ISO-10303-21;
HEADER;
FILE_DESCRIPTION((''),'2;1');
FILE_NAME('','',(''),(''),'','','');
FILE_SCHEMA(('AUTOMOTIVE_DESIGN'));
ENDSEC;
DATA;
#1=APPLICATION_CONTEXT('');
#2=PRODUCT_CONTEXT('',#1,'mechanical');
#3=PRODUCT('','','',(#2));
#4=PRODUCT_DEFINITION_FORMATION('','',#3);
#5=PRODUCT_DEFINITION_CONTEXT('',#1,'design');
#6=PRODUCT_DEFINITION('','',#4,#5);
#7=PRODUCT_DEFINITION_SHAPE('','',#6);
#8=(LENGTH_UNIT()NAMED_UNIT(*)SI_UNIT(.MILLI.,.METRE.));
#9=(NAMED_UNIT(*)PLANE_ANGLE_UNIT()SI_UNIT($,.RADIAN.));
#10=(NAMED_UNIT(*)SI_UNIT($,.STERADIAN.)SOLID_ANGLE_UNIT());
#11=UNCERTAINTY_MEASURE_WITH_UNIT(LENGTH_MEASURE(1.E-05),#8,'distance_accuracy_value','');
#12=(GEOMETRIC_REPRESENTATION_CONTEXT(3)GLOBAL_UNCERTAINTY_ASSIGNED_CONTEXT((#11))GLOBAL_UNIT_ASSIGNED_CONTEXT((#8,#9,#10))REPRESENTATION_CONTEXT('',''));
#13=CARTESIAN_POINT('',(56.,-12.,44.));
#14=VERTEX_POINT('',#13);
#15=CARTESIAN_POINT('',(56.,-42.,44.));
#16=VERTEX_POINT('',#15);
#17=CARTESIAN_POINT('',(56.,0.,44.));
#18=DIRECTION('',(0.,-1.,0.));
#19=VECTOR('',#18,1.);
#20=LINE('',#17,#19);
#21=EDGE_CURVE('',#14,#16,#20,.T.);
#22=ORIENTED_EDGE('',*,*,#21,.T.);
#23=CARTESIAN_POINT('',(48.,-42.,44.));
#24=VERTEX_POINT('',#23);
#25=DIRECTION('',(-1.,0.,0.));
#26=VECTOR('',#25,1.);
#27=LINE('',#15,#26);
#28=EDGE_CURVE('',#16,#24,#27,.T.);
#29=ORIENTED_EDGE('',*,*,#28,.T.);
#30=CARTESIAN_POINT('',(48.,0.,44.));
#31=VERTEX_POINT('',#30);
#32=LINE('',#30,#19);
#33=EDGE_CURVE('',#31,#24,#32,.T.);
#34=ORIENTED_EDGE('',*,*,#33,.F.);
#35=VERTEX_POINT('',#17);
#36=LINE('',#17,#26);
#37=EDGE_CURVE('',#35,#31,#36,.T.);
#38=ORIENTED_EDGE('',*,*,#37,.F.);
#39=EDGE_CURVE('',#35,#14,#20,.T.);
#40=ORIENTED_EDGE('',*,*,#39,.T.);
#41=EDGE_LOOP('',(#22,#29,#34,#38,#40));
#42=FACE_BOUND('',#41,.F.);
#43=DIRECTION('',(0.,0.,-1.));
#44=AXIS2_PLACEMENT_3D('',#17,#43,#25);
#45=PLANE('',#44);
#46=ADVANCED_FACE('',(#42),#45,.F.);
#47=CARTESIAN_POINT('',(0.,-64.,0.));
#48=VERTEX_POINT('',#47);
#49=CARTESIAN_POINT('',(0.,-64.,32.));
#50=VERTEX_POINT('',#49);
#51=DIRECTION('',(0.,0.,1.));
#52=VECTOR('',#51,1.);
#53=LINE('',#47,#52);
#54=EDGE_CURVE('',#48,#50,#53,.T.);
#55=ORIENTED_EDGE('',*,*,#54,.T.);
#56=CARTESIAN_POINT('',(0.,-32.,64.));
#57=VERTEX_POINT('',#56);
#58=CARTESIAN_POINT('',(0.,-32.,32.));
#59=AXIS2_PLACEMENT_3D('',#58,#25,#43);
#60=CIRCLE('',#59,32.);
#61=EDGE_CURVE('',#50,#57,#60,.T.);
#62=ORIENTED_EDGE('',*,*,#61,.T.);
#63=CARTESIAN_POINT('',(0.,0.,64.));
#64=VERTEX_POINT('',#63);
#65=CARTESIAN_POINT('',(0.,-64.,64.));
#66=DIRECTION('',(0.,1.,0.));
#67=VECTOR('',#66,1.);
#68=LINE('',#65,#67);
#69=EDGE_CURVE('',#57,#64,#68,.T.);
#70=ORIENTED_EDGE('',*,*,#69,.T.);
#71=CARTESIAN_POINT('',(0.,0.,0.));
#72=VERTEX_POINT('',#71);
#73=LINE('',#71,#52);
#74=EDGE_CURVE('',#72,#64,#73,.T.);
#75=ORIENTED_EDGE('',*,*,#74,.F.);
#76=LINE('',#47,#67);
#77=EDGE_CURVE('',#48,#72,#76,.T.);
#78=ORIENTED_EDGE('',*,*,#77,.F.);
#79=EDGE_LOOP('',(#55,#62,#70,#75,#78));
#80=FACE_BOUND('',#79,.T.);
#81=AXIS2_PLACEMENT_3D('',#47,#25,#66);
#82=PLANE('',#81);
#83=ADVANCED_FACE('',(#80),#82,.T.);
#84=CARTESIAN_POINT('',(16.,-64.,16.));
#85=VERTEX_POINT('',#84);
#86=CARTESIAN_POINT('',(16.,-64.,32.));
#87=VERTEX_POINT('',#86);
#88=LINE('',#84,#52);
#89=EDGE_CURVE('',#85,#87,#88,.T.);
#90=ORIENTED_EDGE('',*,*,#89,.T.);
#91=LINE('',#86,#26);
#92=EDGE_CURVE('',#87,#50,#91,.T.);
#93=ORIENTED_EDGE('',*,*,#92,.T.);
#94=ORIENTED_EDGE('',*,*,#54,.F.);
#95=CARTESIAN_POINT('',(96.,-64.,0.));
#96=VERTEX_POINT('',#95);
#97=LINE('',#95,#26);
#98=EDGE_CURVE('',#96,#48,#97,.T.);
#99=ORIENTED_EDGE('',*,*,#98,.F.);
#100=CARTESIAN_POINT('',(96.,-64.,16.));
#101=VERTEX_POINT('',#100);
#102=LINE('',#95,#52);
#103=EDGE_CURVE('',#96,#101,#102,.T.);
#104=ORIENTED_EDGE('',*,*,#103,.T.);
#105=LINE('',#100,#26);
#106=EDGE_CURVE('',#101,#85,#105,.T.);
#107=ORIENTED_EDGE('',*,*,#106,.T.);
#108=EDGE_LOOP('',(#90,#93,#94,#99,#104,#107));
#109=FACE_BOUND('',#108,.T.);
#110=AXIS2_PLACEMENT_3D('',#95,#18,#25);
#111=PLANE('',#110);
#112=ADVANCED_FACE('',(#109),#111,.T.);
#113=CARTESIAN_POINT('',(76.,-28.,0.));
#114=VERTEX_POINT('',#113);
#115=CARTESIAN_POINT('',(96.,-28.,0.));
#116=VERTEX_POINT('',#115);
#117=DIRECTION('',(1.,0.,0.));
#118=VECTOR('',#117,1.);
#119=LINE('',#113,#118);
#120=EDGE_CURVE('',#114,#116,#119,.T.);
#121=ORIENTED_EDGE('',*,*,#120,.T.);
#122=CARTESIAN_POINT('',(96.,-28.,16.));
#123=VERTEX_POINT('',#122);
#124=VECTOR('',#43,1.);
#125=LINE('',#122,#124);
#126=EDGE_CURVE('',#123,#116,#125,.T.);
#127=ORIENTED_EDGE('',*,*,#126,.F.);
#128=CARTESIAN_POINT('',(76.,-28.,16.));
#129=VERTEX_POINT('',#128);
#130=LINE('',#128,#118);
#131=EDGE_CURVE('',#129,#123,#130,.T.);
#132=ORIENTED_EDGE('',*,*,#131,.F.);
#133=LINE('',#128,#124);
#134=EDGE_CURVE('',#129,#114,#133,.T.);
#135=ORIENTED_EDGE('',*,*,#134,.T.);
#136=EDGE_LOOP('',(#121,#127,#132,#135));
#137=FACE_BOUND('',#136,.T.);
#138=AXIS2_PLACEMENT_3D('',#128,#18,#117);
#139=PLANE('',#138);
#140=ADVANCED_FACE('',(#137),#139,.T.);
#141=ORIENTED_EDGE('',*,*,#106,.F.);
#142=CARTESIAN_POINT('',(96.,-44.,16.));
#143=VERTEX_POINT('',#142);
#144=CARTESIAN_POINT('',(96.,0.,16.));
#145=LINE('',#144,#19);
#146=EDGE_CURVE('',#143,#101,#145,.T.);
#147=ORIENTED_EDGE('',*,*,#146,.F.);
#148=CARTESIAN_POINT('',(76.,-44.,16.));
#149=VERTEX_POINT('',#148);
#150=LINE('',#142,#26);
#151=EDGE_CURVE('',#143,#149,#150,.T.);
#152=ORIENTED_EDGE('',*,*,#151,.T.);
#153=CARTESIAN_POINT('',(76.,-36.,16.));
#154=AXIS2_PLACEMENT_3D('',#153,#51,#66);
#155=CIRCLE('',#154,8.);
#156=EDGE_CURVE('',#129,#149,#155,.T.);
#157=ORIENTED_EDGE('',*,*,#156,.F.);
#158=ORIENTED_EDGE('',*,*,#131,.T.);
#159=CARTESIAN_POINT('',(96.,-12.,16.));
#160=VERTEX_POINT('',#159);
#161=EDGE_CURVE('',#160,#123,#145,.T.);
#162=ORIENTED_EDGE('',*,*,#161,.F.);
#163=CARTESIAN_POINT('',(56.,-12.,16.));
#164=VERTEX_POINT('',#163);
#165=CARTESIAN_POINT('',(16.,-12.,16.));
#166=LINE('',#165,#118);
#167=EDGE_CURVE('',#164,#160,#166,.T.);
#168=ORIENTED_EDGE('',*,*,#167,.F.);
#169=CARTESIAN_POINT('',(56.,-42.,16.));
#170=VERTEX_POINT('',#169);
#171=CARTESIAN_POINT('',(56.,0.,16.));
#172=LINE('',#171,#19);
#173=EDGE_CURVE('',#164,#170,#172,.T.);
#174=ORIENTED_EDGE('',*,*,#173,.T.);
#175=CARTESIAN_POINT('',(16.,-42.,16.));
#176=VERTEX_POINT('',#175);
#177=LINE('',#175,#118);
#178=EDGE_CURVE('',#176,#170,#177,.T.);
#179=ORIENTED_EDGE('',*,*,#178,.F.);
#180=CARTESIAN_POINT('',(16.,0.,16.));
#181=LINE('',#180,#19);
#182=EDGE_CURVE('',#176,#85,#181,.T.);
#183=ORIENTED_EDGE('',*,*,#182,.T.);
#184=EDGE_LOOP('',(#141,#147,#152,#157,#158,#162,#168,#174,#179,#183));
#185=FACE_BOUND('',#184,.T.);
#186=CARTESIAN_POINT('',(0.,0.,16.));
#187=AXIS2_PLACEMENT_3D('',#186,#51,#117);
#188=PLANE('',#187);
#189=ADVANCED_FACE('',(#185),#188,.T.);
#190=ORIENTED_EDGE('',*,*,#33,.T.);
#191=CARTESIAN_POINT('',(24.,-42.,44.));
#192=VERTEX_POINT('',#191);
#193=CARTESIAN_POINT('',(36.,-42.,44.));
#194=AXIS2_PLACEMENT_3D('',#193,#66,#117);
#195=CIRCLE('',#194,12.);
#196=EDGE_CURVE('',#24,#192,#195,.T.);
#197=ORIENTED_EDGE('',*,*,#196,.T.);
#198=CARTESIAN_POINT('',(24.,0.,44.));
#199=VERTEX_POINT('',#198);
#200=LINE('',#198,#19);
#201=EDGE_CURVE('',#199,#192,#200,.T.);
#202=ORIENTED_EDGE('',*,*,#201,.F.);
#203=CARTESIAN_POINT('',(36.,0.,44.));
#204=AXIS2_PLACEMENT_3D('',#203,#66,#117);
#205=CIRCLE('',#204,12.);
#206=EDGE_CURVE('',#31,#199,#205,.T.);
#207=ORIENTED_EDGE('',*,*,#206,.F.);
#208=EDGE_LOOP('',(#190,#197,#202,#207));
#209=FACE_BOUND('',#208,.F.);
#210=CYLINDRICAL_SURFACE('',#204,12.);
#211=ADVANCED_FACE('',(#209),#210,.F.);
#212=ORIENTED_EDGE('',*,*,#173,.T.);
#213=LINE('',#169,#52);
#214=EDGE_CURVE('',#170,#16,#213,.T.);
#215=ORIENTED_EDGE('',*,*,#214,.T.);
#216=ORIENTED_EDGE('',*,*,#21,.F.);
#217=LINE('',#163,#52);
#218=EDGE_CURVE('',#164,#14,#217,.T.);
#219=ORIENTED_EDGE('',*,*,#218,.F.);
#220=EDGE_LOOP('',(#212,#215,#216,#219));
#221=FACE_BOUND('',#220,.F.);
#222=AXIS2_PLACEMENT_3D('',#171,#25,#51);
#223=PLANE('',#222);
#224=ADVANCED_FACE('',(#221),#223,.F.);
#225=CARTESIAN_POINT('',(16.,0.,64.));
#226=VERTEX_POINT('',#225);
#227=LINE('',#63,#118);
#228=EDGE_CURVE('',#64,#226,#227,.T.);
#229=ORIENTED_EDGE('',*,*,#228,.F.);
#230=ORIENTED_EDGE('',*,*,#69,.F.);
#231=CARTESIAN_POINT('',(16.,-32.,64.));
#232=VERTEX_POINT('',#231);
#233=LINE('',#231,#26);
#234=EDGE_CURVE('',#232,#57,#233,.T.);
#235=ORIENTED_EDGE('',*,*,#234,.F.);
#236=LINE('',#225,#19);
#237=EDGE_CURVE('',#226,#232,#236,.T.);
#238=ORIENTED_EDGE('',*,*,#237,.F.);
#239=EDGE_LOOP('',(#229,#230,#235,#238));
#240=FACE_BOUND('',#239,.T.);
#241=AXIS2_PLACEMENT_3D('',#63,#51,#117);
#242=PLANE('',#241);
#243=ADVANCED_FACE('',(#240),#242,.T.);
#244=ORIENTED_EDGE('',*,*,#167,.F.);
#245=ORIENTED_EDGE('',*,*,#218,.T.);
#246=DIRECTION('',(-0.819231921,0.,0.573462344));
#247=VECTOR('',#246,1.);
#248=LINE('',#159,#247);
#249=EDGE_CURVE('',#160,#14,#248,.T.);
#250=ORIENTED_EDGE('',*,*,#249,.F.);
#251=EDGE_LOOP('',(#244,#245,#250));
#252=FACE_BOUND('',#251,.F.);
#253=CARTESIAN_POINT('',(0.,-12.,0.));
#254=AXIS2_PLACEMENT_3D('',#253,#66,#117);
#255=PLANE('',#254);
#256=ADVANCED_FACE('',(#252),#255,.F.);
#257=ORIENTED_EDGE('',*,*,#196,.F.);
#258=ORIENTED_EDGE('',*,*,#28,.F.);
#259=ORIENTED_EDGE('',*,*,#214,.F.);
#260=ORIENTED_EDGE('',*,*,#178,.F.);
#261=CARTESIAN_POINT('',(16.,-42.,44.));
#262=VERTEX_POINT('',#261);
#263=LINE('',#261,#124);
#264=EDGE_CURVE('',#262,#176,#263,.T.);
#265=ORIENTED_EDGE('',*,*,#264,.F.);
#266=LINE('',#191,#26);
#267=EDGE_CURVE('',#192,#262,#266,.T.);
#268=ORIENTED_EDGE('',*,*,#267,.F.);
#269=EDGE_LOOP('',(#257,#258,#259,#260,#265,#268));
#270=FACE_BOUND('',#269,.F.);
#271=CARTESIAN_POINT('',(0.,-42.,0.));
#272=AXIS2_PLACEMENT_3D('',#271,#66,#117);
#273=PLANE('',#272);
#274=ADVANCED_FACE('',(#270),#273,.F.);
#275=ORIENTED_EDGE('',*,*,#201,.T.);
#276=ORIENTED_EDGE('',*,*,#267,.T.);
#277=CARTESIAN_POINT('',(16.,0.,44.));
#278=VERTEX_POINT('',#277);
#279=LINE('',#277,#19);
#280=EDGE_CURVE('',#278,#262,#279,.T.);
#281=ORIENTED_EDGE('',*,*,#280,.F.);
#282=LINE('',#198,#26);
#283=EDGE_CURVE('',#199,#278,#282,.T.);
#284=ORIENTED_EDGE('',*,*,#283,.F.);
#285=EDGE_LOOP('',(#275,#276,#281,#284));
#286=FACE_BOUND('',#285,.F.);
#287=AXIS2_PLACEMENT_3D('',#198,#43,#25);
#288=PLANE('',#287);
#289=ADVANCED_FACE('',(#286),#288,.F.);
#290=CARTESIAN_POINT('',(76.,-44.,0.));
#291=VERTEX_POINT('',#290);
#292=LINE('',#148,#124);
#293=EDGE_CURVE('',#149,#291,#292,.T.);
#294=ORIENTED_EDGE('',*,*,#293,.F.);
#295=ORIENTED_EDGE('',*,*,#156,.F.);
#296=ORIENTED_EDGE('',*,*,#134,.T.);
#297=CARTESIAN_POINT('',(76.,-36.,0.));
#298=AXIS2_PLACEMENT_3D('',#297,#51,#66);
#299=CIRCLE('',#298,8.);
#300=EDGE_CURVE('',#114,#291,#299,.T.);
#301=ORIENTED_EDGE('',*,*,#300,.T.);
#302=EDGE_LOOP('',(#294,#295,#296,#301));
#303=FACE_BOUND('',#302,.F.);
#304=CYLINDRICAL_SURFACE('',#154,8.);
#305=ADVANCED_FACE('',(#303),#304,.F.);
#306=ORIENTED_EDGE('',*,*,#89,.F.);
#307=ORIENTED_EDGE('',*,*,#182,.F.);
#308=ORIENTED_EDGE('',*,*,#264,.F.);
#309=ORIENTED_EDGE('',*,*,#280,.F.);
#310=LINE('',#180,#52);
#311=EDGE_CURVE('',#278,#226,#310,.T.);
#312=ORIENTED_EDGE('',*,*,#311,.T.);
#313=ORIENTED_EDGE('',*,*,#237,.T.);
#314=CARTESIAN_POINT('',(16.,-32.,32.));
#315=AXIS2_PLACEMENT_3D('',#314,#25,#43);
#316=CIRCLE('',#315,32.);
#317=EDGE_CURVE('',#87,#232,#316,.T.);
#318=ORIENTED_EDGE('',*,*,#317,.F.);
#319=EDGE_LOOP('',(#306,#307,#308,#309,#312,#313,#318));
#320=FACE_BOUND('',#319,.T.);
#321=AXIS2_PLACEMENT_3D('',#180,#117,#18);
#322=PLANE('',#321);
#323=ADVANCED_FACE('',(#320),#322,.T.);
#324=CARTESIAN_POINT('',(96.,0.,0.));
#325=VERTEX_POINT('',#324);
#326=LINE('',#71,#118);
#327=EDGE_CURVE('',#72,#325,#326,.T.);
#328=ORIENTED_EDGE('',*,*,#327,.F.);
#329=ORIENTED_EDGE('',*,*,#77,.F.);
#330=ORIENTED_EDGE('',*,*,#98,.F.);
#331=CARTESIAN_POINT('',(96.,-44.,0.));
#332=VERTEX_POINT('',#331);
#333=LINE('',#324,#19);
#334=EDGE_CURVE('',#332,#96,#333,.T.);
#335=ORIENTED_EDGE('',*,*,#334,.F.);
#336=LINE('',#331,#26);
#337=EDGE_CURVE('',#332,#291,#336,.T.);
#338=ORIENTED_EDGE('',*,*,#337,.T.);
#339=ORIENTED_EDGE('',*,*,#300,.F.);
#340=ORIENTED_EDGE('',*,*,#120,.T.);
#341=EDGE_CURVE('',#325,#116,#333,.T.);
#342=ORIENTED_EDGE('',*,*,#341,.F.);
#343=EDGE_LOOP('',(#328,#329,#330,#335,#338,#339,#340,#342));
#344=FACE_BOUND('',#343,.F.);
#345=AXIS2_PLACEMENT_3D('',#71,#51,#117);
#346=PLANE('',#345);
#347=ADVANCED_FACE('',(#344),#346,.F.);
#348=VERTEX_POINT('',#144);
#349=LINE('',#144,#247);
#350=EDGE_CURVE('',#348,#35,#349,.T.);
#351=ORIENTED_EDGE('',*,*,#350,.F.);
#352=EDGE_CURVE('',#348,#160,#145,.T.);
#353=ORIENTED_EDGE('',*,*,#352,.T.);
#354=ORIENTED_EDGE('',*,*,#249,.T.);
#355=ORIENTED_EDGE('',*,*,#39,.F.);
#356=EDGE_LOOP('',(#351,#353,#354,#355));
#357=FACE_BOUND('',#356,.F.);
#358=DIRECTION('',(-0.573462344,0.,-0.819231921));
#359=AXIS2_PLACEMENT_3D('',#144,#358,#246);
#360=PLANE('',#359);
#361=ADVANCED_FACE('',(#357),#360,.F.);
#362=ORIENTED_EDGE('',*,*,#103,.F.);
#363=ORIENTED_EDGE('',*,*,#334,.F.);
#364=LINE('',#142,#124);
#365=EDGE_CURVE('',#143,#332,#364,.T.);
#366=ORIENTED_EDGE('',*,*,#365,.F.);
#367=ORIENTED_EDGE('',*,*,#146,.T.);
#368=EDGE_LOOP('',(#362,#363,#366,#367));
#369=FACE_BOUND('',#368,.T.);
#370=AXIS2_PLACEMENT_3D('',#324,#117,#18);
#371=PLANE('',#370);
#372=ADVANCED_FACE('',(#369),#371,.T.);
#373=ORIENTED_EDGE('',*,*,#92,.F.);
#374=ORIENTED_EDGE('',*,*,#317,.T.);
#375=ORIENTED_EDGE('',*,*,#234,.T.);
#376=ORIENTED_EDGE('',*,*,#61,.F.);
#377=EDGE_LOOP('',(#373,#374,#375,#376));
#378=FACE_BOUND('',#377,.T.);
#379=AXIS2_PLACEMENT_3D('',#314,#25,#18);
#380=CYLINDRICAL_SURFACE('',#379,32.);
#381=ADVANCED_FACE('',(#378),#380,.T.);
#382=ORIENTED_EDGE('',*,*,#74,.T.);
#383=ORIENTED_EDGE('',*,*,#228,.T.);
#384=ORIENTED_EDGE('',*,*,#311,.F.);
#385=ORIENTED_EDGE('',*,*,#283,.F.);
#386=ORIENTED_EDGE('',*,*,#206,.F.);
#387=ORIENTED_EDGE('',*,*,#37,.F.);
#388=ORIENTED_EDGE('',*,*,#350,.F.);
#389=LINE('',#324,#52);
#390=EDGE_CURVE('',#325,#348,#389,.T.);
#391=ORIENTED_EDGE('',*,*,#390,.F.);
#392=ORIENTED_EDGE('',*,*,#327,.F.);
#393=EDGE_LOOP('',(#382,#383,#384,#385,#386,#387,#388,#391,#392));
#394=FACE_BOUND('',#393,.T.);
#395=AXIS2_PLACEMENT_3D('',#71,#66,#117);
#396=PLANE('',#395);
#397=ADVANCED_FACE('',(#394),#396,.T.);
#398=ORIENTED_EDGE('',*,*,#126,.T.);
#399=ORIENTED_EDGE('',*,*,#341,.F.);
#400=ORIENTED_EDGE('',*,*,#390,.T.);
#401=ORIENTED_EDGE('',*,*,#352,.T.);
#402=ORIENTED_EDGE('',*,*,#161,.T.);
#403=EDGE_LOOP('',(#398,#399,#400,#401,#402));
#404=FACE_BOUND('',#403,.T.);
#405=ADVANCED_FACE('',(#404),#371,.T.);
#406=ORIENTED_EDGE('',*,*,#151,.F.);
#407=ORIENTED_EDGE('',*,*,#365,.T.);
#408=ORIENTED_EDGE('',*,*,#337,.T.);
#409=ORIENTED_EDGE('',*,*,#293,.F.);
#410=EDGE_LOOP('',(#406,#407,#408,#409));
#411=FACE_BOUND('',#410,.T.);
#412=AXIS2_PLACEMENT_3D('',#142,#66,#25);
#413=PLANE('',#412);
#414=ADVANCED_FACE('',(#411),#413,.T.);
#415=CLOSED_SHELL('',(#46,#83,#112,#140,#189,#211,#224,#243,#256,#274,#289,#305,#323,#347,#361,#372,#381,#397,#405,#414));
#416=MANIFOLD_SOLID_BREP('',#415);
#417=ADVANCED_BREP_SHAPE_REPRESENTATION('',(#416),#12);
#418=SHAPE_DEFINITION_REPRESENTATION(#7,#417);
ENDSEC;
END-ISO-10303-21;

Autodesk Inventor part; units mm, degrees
ref_plane "YZ Plane" through (0, 0, 0) normal (1, 0, 0) x (0, 1, 0)
ref_plane "XZ Plane" through (0, 0, 0) normal (0, 1, 0) x (-1, 0, 0)
ref_plane "XY Plane" through (0, 0, 0) normal (0, 0, 1) x (1, 0, 0)
sketch "Sketch1" plane through (0, 0, 0) normal (0, 0, 1) x (1, 0, 0)
  line L0 (0, 0) -> (96, 0)
  line L1 (96, 0) -> (96, -64)
  line L2 (96, -64) -> (0, -64)
  line L3 (0, -64) -> (0, 0)
  dimension "d0" = 96
extrude "Extrusion1" add sketch "Sketch1" along normal blind 16
sketch "Sketch2" plane through (0, 0, 16) normal (0, 0, 1) x (1, 0, 0)
  line L0 (0, 0) -> (16, 0)
  line L1 (16, 0) -> (16, -64)
  line L2 (16, -64) -> (0, -64)
  line L3 (0, -64) -> (0, 0)
  line L4 (0, -64) -> (96, -64) projected
  dimension "d4" = 16
extrude "Extrusion2" add sketch "Sketch2" along normal blind 48
sketch "Sketch3" plane through (0, 0, 64) normal (0, 0, 1) x (1, 0, 0)
  point P0 (0, 0)
fillet "Fillet1" radius 32 1 edges at (8, -64, 64)
sketch "Sketch4" plane through (0, 0, 0) normal (0, 1, 0) x (1, 0, 0)
  line L0 (16, -16) -> (96, -16) projected
  line L1 (16, -16) -> (56, -16)
  line L2 (56, -16) -> (56, -44)
  line L3 (16, -44) -> (16, -16)
  arc A0 (48, -44) -> (24, -44) centre (36, -44) ccw
  line L4 (56, -44) -> (48, -44)
  line L5 (24, -44) -> (16, -44)
  point P0 (0, 0)
  dimension "d8" = 40
  dimension "d9" = 28
  dimension "d10" = 24
extrude "Extrusion3" add sketch "Sketch4" against normal blind 42
sketch "Sketch5" plane through (0, 0, 0) normal (0, 1, 0) x (1, 0, 0)
  line L0 (16, -16) -> (96, -16) projected
  line L1 (56, -44) -> (48, -44) projected
  line L2 (96, -16) -> (56, -44)
  line L3 (56, -16) -> (56, -44) projected
  line L4 (56, -44) -> (56, -16)
  line L5 (56, -16) -> (96, -16)
  point P0 (0, 0)
extrude "Extrusion4" add sketch "Sketch5" against normal blind 12
sketch "Sketch6" plane through (0, 0, 16) normal (0, 0, 1) x (1, 0, 0)
  line L0 (96, -64) -> (96, -12) projected
  line L1 (96, -44) -> (76, -44)
  arc A0 (76, -28) -> (76, -44) centre (76, -36) ccw
  line L2 (76, -28) -> (96, -28)
  line L3 (96, -28) -> (96, -44)
  point P0 (0, 0)
  dimension "d15" = 20
  dimension "d16" = 52
  dimension "d17" = 16
  dimension "d18" = 32
extrude "Extrusion5" cut sketch "Sketch6" against normal blind 16
properties part number "exercise"
